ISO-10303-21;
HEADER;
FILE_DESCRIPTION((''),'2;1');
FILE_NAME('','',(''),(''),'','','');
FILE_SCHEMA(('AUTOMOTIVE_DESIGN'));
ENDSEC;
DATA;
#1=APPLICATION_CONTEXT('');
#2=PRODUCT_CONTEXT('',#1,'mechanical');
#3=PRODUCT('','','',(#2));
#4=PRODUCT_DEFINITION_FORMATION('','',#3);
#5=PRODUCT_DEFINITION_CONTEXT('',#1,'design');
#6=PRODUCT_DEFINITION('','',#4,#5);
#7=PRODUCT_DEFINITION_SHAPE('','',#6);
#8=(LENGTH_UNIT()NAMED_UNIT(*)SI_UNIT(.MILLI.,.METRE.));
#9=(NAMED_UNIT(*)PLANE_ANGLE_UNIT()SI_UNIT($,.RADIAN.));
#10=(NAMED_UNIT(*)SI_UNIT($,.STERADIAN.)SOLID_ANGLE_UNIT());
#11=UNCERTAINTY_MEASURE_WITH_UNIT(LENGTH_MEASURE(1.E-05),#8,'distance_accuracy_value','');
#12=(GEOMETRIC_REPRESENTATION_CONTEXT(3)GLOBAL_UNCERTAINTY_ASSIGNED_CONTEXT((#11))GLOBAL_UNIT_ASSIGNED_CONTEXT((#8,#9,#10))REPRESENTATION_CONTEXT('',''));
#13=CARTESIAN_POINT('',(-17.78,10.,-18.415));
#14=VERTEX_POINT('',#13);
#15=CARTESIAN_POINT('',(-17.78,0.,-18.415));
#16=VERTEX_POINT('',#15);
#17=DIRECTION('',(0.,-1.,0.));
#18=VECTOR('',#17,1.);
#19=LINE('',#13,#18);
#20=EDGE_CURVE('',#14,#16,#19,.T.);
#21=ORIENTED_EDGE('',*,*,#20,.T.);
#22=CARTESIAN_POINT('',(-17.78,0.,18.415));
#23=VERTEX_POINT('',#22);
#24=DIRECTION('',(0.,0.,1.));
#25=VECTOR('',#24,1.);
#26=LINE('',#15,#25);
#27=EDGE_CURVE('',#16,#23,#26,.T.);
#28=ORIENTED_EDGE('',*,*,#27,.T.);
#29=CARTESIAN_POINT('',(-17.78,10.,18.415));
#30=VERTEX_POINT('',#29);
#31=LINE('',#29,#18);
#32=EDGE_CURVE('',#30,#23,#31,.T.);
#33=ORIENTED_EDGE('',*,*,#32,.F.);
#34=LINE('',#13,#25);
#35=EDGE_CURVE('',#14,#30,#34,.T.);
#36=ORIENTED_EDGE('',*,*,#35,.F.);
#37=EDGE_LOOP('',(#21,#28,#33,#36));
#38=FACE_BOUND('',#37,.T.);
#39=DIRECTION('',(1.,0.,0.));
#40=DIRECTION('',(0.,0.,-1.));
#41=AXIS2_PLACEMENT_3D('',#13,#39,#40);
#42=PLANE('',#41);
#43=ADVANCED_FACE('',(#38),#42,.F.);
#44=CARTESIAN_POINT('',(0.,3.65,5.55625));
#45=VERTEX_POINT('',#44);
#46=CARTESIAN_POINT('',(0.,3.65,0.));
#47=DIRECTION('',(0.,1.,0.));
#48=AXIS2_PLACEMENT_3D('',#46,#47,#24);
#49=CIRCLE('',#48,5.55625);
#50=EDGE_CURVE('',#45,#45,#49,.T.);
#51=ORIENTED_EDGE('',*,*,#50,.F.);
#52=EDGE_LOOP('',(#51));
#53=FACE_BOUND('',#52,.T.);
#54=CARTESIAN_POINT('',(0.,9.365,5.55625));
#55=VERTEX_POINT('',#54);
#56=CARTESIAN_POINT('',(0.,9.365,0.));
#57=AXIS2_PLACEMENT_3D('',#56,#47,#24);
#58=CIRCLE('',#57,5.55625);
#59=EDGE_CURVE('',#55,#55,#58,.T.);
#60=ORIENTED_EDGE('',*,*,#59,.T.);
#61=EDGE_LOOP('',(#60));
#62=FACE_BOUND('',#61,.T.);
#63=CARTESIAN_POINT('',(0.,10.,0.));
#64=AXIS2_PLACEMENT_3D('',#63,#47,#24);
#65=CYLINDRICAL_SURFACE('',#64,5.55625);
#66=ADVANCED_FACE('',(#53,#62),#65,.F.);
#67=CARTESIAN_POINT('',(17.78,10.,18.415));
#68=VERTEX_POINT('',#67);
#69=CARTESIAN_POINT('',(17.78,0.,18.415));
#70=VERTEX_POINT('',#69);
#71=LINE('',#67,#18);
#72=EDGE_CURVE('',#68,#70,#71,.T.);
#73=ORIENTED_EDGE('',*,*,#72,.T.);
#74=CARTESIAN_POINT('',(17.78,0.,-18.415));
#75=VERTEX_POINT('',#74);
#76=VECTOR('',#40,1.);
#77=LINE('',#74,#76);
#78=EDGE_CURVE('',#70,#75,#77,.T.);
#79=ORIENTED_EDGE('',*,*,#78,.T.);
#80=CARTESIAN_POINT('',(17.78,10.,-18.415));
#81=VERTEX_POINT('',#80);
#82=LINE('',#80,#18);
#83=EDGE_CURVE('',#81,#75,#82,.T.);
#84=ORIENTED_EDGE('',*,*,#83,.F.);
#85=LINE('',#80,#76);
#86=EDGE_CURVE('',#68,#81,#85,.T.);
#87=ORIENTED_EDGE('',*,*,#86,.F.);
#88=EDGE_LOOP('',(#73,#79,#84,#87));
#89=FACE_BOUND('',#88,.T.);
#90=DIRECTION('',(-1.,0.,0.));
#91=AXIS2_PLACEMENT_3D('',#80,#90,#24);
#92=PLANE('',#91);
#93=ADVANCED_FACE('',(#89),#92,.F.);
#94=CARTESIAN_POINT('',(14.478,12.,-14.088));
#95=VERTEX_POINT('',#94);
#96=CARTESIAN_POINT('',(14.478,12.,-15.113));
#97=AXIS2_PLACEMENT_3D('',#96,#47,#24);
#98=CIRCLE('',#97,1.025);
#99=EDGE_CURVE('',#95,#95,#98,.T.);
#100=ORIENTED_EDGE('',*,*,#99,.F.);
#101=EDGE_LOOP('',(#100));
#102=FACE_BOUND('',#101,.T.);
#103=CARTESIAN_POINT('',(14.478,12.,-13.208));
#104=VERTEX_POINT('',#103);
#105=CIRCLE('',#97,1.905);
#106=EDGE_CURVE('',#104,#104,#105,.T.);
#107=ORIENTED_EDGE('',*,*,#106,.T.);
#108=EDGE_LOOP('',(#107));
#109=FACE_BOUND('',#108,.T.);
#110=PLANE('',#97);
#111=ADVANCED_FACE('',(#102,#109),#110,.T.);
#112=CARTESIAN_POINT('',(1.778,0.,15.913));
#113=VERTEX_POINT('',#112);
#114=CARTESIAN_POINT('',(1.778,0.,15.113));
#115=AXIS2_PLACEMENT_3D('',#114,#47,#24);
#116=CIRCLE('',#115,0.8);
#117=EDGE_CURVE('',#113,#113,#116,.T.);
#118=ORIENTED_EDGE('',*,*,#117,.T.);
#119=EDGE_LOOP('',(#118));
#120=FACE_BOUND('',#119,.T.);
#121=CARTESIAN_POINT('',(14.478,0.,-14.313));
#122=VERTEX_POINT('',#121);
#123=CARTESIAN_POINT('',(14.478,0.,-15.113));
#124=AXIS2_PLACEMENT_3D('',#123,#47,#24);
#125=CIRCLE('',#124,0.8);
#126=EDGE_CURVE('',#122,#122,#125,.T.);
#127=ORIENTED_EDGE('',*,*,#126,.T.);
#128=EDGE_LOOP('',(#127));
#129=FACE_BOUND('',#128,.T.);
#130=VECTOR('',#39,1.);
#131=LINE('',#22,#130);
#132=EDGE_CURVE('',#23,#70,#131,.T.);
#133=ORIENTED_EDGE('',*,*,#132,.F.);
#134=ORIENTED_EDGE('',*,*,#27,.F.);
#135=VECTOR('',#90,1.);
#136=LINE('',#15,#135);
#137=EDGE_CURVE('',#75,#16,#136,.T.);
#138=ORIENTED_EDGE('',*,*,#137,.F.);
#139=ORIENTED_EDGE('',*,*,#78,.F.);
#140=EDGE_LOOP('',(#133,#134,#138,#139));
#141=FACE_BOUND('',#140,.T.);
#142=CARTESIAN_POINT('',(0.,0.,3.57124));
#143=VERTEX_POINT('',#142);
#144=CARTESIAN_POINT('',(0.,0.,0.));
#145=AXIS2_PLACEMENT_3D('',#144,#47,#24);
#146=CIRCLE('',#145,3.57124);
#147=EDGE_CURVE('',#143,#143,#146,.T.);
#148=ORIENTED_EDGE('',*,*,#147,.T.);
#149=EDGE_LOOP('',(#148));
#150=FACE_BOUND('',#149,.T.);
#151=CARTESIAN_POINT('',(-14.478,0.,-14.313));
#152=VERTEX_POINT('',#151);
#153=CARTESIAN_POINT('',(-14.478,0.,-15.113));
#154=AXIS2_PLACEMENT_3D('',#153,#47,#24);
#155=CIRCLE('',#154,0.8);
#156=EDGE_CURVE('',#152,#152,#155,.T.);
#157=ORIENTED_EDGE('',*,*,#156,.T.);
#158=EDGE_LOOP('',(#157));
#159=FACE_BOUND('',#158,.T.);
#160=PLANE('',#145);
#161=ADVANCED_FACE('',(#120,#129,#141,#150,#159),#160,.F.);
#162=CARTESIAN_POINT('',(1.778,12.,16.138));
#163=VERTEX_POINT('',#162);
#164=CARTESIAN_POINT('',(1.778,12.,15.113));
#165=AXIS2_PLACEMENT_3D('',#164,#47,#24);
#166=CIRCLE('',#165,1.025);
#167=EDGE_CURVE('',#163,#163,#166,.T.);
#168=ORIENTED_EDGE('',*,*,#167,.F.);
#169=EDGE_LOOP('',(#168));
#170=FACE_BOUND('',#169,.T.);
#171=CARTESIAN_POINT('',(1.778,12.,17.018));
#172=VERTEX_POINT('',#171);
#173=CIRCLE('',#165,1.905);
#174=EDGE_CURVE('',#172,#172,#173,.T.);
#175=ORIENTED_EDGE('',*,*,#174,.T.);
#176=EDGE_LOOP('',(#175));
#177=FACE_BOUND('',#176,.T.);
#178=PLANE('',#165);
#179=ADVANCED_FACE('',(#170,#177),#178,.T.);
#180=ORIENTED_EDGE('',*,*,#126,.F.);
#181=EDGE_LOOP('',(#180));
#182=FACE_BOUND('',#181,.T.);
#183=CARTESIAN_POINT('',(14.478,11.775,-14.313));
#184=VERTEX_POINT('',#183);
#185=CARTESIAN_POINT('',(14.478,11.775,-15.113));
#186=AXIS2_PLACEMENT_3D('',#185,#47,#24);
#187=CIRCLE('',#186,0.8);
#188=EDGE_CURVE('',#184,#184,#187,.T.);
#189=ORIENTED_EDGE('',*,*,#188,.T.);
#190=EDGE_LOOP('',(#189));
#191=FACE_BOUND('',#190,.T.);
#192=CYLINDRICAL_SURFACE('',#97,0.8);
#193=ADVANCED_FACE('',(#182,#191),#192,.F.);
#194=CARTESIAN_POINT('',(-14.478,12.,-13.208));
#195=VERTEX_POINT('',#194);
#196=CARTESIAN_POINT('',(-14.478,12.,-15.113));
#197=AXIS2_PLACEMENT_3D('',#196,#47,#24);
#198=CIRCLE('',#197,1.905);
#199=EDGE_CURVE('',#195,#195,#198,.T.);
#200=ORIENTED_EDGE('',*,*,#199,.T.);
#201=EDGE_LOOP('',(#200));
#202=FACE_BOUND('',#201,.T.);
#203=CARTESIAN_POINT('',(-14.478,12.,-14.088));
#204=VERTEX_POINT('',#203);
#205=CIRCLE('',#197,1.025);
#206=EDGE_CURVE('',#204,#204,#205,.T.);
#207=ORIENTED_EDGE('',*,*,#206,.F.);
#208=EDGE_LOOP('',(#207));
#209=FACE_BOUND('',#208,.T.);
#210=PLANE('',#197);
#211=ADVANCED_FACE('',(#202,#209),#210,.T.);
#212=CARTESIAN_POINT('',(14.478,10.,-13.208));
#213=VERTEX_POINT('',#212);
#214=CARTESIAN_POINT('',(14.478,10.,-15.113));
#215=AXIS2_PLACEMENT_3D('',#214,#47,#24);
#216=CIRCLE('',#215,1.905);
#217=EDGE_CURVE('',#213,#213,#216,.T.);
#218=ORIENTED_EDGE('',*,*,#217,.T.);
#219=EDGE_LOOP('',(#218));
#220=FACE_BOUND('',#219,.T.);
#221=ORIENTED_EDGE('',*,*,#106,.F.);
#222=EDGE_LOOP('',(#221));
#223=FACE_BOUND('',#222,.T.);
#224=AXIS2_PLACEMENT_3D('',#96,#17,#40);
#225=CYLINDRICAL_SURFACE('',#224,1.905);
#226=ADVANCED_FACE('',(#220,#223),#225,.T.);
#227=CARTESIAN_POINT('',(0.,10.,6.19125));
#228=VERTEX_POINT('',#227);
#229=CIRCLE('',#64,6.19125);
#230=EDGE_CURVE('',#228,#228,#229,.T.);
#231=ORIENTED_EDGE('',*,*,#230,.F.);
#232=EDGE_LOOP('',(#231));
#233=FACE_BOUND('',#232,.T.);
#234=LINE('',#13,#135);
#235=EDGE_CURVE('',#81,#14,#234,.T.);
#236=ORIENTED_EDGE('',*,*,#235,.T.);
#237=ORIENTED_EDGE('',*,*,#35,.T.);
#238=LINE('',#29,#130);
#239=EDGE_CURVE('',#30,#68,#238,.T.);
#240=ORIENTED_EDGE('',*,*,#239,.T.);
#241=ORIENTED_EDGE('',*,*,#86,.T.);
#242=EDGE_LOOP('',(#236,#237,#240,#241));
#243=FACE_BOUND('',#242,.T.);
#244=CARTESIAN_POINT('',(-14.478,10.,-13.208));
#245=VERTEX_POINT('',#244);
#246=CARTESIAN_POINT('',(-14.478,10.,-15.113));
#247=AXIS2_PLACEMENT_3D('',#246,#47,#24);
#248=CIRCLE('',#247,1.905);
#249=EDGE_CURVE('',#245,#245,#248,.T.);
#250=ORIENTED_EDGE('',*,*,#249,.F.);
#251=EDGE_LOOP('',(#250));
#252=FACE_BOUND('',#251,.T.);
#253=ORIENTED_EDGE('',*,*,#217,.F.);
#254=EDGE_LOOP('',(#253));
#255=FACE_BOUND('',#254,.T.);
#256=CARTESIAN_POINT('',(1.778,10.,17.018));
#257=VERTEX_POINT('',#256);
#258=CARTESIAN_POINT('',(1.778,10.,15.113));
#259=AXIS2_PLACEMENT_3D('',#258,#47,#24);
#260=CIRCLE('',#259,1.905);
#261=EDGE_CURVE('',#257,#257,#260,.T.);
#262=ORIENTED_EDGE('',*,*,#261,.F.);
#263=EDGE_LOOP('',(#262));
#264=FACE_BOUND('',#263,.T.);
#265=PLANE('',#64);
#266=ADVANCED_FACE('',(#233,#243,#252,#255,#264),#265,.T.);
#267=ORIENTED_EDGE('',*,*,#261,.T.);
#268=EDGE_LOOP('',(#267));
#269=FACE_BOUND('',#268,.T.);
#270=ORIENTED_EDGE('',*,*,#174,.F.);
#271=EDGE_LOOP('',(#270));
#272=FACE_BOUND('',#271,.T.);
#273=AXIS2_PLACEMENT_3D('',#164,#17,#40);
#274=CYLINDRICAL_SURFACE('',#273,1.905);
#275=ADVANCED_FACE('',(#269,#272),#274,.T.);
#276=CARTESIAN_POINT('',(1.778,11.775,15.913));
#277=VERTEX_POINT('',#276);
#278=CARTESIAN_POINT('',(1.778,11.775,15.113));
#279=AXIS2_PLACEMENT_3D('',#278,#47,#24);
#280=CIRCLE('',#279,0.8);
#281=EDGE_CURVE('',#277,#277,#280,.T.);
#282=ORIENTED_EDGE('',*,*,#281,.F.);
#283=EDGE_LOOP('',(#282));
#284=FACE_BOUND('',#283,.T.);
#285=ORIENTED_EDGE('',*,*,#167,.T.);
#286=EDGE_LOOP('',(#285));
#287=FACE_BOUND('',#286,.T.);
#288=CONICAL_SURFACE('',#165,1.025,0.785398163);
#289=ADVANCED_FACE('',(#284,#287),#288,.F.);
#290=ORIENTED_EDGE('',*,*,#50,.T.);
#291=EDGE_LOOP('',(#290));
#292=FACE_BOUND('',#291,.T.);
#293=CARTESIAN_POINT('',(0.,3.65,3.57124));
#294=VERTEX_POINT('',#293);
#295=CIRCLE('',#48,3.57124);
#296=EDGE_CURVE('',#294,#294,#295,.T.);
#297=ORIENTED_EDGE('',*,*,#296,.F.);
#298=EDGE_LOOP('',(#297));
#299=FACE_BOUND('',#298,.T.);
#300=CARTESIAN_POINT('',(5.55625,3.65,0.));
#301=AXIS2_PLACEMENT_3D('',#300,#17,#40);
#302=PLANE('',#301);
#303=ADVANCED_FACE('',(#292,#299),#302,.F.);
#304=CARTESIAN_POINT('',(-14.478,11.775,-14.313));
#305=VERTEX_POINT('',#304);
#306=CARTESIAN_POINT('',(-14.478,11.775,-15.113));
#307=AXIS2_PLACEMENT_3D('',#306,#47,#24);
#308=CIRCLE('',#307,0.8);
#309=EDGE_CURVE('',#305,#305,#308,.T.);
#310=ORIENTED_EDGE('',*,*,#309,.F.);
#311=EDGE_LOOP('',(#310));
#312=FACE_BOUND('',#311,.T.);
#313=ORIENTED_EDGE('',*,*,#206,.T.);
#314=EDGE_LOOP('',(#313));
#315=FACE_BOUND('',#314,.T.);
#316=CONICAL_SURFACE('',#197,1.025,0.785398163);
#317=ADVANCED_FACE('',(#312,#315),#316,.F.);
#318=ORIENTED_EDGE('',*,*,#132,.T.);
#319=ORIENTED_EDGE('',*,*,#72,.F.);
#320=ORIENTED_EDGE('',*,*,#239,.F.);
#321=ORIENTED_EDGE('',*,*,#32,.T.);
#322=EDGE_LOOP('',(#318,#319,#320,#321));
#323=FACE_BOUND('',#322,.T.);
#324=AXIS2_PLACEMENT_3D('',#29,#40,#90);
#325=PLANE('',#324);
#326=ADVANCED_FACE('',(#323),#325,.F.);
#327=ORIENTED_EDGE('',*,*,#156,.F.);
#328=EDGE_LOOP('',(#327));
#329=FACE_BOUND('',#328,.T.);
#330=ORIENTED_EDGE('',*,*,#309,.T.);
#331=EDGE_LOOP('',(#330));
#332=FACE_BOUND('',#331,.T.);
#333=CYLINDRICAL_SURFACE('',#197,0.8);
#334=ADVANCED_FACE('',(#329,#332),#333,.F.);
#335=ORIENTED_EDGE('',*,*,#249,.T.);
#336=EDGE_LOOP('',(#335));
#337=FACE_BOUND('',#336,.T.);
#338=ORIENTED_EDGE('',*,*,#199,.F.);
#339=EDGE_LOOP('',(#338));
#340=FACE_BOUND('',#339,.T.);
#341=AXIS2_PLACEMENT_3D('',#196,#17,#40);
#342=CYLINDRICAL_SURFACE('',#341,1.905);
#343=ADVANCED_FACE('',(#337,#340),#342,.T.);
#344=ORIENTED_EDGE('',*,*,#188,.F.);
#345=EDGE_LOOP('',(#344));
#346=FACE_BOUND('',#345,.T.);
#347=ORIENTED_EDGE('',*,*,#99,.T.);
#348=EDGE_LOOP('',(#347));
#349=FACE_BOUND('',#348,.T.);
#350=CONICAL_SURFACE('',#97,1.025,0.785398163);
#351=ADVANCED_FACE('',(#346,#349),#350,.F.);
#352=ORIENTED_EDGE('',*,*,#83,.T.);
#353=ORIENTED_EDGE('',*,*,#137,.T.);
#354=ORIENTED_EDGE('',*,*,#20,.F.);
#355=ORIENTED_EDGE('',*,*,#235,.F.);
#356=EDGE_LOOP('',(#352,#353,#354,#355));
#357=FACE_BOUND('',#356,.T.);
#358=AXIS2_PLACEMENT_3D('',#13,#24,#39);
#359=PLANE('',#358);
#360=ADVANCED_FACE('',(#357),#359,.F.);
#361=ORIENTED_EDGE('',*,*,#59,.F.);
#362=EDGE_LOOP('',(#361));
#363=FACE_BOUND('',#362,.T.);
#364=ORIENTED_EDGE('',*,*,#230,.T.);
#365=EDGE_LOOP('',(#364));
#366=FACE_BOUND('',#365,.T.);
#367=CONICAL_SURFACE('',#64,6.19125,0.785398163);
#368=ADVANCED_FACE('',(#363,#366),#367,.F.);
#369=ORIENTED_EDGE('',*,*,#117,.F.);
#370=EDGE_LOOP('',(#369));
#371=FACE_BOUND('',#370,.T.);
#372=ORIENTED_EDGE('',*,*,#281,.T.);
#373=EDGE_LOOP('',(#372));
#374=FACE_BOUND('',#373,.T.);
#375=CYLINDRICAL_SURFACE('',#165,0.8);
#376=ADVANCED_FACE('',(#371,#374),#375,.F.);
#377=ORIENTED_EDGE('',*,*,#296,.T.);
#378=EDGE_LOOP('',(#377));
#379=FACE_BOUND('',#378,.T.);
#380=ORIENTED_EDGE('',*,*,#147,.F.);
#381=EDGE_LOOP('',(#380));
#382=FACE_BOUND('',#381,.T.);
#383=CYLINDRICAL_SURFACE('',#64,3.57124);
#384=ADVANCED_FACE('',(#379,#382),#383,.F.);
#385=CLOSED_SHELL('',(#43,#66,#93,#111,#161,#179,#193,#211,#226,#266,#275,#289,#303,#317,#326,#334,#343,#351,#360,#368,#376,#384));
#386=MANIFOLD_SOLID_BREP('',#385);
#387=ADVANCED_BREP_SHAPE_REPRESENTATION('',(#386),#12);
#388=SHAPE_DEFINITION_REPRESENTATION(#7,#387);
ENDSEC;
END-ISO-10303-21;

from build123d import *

# Parameters (mm, degrees)
SKETCH1_W                       = 35.56
SKETCH1_H                       = 36.83
BOSS_EXTRUDE1_DEPTH             = 10
SKETCH5_R                       = 1.905
BOSS_EXTRUDE2_DEPTH             = 2
M2X0_4_TAPPED_HOLE1_D           = 1.6
M2X0_4_TAPPED_HOLE1_CSINK_D     = 2.05
M2X0_4_TAPPED_HOLE1_CSINK_ANGLE = 90


with BuildPart() as part:
    # Sketch1 → Boss-Extrude1 (new body)
    with BuildSketch(Plane(origin=(0, 0, 0), x_dir=(1, 0, 0), z_dir=(0, 1, 0))):
        Rectangle(SKETCH1_W, SKETCH1_H)
    extrude(amount=BOSS_EXTRUDE1_DEPTH)

    # Sketch4 → CBORE for 1/4 Socket Head Cap Screw1 (revolve, cut)
    with BuildSketch(Plane(origin=(0, 10, 0), x_dir=(0, 0, 1), z_dir=(1, 0, 0))):
        Polygon((0, 0), (0, 10), (3.57124, 10), (3.57124, 6.35), (5.55625, 6.35), (5.55625, 0.635), (6.19125, 0), align=None)
    revolve(axis=Axis((0, 16.35, 0), (0, -1, 0)), mode=Mode.SUBTRACT)

    # Sketch5 → Boss-Extrude2 (add)
    with BuildSketch(Plane(origin=(0, 10, 0), x_dir=(1, 0, 0), z_dir=(0, 1, 0))):
        with Locations(Location((-14.478, 15.113, 0), (0, 0, 270))):
            Circle(SKETCH5_R)
        with Locations(Location((14.478, 15.113, 0), (0, 0, 270))):
            Circle(SKETCH5_R)
        with Locations(Location((1.778, -15.113, 0), (0, 0, 270))):
            Circle(SKETCH5_R)
    extrude(amount=BOSS_EXTRUDE2_DEPTH)

    # M2x0.4 Tapped Hole1 (through all)
    with Locations(Plane(origin=(0, 12, 0), x_dir=(1, 0, 0), z_dir=(0, 1, 0))):
        with Locations((-14.478, 15.113), (14.478, 15.113), (1.778, -15.113)):
            CounterSinkHole(M2X0_4_TAPPED_HOLE1_D / 2, M2X0_4_TAPPED_HOLE1_CSINK_D / 2, counter_sink_angle=M2X0_4_TAPPED_HOLE1_CSINK_ANGLE)


solid = part.part
